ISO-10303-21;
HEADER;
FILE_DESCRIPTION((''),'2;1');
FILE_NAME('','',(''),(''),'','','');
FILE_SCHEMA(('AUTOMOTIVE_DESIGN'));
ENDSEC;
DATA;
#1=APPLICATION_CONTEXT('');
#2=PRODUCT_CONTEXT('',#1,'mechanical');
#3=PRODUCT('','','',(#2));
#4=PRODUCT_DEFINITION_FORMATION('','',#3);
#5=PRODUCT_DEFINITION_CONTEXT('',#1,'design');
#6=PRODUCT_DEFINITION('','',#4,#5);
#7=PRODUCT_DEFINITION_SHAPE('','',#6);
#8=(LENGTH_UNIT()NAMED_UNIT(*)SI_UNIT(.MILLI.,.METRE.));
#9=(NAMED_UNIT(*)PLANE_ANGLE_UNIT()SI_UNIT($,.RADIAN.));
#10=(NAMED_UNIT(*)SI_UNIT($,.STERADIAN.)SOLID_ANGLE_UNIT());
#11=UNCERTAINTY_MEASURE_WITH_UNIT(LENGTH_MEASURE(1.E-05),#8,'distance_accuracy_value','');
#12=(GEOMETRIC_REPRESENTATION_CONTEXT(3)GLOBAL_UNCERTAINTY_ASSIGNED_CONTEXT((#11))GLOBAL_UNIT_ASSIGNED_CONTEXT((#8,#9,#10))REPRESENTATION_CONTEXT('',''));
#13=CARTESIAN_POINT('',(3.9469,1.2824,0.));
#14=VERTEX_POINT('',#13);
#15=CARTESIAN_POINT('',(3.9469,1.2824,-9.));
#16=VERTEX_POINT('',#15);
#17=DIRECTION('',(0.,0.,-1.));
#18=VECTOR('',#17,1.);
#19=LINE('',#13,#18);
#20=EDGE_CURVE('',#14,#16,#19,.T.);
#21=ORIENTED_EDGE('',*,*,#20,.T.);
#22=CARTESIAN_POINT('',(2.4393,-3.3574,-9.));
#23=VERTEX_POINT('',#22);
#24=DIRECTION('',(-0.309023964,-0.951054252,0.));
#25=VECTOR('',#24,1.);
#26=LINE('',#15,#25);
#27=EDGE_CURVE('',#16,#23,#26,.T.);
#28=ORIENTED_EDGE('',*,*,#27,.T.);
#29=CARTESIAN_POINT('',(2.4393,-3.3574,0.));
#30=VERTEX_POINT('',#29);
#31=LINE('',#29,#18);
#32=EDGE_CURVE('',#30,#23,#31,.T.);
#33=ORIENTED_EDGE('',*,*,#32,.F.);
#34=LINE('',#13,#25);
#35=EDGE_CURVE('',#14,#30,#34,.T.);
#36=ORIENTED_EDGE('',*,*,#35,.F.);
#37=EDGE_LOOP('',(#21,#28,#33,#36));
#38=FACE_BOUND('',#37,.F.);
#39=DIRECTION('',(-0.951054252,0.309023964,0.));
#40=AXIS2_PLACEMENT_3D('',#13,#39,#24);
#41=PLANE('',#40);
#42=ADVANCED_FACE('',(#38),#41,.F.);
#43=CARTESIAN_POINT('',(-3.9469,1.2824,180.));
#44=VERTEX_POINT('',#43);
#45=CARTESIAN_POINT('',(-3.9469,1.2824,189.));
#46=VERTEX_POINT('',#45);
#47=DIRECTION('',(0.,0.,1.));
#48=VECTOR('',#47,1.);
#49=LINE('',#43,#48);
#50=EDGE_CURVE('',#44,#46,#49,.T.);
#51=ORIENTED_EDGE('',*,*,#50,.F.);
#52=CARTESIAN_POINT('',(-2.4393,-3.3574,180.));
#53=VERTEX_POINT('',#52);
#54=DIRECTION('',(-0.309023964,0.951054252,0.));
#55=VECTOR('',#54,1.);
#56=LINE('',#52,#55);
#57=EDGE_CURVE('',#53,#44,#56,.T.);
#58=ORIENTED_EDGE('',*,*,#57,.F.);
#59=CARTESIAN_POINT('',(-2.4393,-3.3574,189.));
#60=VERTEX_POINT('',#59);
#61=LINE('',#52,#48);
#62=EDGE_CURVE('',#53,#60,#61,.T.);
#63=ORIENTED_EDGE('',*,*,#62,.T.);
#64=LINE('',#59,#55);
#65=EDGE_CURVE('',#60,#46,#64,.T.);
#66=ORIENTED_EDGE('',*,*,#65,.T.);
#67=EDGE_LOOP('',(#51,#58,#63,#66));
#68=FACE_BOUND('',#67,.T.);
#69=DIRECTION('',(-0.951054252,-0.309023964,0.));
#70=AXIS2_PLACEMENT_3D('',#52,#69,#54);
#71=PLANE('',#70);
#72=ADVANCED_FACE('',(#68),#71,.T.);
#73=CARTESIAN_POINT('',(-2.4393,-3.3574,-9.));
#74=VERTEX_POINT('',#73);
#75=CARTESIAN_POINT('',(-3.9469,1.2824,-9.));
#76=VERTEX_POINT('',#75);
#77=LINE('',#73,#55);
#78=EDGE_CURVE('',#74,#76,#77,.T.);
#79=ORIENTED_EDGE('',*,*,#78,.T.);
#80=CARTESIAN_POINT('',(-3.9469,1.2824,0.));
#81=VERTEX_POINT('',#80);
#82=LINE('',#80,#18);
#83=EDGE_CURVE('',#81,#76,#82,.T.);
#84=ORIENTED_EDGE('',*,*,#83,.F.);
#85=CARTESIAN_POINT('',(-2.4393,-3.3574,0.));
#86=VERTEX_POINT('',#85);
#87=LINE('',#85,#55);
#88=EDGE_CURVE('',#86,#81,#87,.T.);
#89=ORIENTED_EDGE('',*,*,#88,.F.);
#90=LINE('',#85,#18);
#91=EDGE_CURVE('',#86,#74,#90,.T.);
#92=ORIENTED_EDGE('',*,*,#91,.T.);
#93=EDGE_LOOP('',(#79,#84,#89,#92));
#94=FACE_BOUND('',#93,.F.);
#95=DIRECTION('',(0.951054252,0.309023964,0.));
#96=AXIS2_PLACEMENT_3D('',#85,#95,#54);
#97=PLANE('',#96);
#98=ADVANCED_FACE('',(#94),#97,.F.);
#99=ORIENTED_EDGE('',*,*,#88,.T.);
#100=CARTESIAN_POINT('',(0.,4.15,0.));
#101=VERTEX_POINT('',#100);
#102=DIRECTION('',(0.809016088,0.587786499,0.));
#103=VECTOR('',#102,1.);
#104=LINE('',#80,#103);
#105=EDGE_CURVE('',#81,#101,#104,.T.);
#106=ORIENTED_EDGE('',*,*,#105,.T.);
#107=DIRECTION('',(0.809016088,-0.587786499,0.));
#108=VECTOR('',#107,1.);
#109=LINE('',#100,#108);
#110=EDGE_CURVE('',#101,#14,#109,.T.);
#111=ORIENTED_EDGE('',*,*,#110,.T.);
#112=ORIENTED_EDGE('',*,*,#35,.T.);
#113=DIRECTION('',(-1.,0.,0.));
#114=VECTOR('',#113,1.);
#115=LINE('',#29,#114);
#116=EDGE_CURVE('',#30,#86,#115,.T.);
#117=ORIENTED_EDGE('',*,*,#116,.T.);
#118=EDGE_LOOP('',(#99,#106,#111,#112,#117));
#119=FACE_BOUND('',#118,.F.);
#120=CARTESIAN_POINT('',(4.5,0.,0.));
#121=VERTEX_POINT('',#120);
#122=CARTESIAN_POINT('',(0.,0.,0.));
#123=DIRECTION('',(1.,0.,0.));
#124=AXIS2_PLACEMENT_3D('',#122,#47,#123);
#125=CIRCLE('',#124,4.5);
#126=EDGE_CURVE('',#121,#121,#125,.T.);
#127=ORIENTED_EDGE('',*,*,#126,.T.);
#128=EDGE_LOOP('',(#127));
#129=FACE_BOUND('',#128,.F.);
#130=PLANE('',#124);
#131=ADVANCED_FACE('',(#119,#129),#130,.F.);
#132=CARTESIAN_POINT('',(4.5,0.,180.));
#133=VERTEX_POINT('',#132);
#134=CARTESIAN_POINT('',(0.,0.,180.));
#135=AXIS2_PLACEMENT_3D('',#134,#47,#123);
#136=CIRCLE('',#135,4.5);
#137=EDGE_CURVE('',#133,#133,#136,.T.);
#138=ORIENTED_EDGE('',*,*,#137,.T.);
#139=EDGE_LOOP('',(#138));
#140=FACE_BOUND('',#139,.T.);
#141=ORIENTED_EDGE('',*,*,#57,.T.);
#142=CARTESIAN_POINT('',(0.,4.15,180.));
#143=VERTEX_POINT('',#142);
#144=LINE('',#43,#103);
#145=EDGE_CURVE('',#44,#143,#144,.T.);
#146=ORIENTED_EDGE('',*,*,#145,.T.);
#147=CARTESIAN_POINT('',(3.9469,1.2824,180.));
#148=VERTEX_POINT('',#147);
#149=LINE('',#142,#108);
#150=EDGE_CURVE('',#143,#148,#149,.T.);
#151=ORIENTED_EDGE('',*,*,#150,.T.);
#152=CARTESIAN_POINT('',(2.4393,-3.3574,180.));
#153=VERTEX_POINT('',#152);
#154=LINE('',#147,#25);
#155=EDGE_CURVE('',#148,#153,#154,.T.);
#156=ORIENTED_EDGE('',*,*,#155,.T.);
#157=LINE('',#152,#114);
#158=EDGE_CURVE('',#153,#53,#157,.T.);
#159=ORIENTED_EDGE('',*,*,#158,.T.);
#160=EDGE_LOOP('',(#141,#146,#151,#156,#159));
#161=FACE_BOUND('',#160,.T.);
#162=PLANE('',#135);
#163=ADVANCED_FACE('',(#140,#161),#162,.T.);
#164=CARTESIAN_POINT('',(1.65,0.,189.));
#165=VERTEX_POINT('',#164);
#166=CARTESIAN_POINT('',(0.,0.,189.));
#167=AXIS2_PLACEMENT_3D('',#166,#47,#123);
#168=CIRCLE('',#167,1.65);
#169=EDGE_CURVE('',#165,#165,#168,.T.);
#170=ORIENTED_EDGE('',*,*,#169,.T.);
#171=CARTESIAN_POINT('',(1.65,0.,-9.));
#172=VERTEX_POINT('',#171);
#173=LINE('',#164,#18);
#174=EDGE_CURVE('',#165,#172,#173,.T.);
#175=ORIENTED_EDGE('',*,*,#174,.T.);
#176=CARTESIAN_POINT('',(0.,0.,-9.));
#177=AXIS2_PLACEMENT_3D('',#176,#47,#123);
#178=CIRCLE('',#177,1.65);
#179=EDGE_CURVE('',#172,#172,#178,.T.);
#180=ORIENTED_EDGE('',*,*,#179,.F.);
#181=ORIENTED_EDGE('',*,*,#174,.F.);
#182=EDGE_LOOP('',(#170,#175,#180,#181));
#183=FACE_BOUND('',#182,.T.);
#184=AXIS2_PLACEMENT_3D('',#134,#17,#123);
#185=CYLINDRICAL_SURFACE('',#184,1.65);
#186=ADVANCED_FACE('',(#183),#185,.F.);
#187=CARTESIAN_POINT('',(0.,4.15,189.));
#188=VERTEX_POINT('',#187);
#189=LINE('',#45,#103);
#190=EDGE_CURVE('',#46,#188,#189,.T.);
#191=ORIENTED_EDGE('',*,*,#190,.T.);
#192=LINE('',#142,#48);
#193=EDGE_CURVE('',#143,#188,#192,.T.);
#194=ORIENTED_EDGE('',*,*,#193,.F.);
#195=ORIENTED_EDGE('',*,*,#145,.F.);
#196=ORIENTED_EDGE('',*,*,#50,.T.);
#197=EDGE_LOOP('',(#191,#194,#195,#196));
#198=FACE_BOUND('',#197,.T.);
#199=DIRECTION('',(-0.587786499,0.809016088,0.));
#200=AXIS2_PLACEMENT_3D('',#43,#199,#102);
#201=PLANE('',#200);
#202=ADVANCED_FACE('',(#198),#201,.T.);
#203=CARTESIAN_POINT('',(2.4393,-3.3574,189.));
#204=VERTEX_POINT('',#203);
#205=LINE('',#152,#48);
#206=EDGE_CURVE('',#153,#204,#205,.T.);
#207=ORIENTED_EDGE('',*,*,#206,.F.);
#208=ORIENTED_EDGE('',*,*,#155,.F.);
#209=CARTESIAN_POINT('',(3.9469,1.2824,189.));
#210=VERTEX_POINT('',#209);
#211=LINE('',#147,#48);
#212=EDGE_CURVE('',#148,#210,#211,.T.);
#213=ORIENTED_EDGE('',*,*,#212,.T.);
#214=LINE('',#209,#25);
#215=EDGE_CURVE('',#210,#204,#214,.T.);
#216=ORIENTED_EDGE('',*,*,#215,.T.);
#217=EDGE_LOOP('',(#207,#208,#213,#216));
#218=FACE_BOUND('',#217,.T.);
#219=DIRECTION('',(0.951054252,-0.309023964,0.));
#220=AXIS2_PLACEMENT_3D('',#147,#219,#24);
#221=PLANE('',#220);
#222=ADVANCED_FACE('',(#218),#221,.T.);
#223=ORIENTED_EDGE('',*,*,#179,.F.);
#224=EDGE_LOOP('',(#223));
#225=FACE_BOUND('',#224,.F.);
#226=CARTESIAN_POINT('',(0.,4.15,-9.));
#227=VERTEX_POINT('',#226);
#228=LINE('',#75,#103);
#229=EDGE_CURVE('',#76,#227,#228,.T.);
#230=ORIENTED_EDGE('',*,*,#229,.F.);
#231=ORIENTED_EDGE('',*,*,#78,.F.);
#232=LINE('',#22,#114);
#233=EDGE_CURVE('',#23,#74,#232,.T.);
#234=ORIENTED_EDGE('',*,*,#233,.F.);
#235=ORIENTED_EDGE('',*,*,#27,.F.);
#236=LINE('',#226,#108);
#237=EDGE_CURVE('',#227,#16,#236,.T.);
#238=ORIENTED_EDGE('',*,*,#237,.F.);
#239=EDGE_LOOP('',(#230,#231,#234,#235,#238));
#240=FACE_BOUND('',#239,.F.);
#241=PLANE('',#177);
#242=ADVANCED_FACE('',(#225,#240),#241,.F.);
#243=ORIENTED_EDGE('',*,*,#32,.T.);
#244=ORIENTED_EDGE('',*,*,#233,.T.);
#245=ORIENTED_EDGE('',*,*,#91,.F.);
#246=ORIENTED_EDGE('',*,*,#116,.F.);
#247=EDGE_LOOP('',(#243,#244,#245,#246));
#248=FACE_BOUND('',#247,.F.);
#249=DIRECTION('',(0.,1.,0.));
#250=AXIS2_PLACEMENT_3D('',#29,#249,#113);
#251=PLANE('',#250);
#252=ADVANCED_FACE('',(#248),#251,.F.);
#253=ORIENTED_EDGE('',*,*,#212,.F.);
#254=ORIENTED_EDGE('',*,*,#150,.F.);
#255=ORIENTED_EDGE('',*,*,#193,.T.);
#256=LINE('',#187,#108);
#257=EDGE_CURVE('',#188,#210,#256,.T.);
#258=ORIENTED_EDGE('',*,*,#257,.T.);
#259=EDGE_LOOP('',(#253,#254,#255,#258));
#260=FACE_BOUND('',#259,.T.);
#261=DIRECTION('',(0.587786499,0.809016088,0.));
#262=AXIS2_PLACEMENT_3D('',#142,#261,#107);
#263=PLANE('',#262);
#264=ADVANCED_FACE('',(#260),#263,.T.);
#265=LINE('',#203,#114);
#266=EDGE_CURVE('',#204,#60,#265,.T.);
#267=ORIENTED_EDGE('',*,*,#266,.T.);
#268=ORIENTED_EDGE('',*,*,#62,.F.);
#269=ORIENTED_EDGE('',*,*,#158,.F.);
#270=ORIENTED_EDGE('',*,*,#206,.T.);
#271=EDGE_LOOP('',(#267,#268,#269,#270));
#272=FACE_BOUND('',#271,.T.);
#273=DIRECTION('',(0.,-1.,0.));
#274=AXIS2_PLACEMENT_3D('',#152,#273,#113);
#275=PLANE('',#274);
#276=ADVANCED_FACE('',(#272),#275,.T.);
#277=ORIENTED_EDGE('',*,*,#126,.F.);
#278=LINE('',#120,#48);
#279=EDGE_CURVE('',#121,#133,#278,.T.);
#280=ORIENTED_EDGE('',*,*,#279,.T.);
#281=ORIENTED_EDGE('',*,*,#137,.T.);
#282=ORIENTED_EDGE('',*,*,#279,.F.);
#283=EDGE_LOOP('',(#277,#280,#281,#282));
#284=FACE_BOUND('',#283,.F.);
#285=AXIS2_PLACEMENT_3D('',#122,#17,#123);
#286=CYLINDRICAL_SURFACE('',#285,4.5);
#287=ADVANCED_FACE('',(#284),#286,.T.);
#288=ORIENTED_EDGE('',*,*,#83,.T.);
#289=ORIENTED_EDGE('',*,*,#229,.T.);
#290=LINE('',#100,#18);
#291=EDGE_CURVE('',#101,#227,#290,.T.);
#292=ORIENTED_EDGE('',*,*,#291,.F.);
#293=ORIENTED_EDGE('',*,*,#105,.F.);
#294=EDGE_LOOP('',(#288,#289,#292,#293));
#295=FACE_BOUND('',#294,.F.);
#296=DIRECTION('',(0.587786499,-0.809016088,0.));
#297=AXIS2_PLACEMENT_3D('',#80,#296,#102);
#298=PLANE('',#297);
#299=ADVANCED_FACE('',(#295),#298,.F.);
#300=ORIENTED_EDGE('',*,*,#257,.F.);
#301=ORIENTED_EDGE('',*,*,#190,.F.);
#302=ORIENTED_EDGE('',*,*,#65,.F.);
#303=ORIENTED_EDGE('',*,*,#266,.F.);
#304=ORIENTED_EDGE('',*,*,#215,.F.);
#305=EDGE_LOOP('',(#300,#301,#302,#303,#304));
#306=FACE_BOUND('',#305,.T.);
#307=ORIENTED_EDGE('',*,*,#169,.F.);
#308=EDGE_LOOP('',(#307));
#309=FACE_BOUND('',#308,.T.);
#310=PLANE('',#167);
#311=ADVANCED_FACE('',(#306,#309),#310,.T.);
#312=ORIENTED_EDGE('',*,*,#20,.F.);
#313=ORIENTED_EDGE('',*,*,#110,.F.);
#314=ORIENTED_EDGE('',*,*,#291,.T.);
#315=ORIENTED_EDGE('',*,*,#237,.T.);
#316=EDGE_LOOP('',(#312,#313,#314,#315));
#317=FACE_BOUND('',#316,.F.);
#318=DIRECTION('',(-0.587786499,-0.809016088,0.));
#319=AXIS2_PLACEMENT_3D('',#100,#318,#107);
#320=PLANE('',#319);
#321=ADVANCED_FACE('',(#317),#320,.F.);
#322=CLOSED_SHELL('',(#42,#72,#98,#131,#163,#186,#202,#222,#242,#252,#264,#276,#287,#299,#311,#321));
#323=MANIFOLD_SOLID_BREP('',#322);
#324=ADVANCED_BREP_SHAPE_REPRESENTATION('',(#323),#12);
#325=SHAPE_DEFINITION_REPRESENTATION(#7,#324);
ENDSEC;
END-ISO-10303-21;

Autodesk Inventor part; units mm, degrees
ref_plane "YZ Plane" through (0, 0, 0) normal (1, 0, 0) x (0, 1, 0)
ref_plane "XZ Plane" through (0, 0, 0) normal (0, 1, 0) x (-1, 0, 0)
ref_plane "XY Plane" through (0, 0, 0) normal (0, 0, 1) x (1, 0, 0)
sketch "Skizze1" plane through (0, 0, 0) normal (0, 0, 1) x (1, 0, 0)
  circle A0 centre (0, 0) radius 1.65
  circle A1 centre (0, 0) radius 4.15 construction
  line L0 (0, 4.15) -> (3.9469, 1.2824)
  line L1 (3.9469, 1.2824) -> (2.4393, -3.3574)
  line L2 (2.4393, -3.3574) -> (-2.4393, -3.3574)
  line L3 (-2.4393, -3.3574) -> (-3.9469, 1.2824)
  line L4 (-3.9469, 1.2824) -> (0, 4.15)
  circle A2 centre (0, 0) radius 4.5
  dimension "d1" = 8.3
  dimension "d0" = 3.3
  dimension "d2" = 9
extrude "Extrusion1" add sketch "Skizze1" along normal blind 180 contours L0 L1 L2 L3 L4 | A2
extrude "Extrusion2" add sketch "Skizze1" against normal blind 9 contours L0 L1 L2 L3 L4
extrude "Extrusion3" add sketch "Skizze1" along normal blind 9 from surface at 180 contours L0 L1 L2 L3 L4
properties part number "Rod"
